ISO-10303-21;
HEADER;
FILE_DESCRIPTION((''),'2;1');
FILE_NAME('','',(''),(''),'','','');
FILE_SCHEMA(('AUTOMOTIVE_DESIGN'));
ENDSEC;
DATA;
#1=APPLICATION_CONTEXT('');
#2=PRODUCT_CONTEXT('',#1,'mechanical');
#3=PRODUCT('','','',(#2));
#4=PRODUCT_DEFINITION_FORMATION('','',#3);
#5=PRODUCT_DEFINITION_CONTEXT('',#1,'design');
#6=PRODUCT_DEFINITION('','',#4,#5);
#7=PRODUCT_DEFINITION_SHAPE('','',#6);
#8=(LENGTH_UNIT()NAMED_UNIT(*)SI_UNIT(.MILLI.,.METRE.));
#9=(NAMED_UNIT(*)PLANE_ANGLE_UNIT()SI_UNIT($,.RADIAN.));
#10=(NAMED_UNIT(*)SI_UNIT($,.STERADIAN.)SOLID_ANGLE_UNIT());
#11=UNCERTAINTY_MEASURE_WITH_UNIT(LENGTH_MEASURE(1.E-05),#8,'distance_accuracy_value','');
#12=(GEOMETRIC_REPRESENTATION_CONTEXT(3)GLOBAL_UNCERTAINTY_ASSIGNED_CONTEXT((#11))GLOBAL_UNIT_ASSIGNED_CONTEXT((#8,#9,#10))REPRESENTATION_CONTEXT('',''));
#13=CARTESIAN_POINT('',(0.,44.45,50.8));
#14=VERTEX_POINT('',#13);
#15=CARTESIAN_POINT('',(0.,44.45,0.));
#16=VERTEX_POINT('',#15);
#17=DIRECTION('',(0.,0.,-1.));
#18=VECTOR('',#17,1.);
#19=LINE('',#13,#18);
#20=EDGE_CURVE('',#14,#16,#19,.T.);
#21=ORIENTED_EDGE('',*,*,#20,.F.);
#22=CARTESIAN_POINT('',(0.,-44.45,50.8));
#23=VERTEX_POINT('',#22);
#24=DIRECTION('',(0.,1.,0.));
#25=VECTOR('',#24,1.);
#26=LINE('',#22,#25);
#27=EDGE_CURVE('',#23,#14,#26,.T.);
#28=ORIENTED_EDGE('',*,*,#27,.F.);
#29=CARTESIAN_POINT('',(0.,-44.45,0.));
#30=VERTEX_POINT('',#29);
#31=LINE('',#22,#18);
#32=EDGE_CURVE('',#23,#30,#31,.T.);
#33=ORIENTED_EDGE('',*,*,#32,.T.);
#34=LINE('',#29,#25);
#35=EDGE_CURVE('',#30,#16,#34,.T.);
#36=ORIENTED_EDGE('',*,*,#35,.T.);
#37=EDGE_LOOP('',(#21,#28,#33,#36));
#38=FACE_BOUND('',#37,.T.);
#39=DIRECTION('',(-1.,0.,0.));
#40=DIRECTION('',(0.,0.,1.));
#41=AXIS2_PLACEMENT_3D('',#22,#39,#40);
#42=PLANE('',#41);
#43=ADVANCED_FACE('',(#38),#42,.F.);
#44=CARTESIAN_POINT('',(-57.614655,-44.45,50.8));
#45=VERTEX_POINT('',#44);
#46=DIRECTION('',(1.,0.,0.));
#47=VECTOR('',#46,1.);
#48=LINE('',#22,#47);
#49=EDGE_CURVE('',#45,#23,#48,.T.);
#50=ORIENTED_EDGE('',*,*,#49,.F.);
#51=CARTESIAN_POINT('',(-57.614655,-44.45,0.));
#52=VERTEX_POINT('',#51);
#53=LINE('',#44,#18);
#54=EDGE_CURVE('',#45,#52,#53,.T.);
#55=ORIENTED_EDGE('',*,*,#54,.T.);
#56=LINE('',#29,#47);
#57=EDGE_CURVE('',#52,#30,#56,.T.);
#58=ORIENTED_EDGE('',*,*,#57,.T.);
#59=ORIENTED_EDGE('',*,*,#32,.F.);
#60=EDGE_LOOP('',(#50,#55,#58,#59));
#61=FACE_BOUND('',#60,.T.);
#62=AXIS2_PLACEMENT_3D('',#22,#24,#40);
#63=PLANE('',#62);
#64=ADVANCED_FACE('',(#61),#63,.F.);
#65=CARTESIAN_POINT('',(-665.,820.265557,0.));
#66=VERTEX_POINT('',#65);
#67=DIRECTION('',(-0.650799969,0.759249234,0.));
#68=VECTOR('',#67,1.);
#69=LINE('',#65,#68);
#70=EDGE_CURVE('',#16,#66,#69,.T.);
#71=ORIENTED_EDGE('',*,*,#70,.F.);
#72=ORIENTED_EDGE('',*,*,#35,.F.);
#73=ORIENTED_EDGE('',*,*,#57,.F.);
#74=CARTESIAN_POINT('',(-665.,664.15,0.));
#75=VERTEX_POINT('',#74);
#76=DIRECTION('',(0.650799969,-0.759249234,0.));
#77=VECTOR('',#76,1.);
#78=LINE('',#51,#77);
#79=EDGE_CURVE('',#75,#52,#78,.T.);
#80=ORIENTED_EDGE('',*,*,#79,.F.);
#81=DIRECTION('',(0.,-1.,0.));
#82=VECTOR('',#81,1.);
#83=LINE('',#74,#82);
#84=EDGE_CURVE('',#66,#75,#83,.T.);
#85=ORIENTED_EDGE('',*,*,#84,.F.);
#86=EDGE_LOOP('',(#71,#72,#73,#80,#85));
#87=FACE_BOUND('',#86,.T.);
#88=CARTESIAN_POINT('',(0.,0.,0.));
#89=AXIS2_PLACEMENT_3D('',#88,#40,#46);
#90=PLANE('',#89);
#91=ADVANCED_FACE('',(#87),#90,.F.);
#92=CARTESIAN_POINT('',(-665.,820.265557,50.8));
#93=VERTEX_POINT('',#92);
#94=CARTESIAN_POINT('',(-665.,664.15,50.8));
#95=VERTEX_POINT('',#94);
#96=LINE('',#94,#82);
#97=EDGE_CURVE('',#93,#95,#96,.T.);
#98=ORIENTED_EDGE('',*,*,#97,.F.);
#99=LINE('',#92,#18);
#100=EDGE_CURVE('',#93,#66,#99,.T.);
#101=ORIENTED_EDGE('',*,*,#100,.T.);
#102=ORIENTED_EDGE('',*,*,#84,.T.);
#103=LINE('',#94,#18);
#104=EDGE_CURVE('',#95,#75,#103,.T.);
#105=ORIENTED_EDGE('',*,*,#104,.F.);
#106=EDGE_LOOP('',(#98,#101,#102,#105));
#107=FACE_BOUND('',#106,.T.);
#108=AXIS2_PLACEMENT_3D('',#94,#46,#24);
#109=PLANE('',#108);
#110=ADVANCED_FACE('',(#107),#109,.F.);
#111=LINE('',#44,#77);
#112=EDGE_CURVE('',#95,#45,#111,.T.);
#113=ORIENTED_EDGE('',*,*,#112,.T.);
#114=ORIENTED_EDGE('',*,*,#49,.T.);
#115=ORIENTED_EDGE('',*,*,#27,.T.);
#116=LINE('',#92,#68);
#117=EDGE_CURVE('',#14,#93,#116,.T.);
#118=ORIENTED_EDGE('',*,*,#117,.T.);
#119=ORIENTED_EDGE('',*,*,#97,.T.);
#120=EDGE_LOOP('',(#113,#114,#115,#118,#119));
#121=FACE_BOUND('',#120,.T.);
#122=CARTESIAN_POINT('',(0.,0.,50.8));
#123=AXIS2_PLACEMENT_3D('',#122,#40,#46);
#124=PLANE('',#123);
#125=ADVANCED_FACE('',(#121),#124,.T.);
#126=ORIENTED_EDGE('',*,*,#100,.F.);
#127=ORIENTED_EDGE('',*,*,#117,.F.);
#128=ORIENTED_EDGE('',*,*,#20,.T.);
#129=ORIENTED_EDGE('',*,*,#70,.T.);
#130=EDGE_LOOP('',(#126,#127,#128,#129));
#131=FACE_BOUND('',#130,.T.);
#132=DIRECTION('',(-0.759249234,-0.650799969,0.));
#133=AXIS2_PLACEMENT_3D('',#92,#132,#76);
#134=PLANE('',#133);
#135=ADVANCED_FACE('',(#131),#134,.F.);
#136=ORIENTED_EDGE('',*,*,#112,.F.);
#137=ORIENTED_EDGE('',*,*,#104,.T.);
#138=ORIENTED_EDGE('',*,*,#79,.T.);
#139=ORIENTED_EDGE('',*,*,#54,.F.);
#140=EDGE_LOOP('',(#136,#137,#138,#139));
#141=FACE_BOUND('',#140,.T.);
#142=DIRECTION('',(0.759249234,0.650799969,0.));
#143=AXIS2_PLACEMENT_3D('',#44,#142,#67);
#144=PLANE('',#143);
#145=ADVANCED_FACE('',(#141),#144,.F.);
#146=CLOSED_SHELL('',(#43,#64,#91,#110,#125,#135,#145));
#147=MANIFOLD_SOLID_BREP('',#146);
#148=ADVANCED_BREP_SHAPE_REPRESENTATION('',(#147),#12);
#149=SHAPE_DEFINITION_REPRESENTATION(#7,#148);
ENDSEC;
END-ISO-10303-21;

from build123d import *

# Parameters (mm, degrees)
BOSS_EXTRUDE1_DEPTH = 50.8


with BuildPart() as part:
    # Sketch1 → Boss-Extrude1 (new body)
    with BuildSketch(Plane.XY):
        Polygon((-57.614655043, -44.45), (-665, 664.15), (-665, 820.265557475), (0, 44.45), (0, -44.45), align=None)
    extrude(amount=BOSS_EXTRUDE1_DEPTH)


solid = part.part
